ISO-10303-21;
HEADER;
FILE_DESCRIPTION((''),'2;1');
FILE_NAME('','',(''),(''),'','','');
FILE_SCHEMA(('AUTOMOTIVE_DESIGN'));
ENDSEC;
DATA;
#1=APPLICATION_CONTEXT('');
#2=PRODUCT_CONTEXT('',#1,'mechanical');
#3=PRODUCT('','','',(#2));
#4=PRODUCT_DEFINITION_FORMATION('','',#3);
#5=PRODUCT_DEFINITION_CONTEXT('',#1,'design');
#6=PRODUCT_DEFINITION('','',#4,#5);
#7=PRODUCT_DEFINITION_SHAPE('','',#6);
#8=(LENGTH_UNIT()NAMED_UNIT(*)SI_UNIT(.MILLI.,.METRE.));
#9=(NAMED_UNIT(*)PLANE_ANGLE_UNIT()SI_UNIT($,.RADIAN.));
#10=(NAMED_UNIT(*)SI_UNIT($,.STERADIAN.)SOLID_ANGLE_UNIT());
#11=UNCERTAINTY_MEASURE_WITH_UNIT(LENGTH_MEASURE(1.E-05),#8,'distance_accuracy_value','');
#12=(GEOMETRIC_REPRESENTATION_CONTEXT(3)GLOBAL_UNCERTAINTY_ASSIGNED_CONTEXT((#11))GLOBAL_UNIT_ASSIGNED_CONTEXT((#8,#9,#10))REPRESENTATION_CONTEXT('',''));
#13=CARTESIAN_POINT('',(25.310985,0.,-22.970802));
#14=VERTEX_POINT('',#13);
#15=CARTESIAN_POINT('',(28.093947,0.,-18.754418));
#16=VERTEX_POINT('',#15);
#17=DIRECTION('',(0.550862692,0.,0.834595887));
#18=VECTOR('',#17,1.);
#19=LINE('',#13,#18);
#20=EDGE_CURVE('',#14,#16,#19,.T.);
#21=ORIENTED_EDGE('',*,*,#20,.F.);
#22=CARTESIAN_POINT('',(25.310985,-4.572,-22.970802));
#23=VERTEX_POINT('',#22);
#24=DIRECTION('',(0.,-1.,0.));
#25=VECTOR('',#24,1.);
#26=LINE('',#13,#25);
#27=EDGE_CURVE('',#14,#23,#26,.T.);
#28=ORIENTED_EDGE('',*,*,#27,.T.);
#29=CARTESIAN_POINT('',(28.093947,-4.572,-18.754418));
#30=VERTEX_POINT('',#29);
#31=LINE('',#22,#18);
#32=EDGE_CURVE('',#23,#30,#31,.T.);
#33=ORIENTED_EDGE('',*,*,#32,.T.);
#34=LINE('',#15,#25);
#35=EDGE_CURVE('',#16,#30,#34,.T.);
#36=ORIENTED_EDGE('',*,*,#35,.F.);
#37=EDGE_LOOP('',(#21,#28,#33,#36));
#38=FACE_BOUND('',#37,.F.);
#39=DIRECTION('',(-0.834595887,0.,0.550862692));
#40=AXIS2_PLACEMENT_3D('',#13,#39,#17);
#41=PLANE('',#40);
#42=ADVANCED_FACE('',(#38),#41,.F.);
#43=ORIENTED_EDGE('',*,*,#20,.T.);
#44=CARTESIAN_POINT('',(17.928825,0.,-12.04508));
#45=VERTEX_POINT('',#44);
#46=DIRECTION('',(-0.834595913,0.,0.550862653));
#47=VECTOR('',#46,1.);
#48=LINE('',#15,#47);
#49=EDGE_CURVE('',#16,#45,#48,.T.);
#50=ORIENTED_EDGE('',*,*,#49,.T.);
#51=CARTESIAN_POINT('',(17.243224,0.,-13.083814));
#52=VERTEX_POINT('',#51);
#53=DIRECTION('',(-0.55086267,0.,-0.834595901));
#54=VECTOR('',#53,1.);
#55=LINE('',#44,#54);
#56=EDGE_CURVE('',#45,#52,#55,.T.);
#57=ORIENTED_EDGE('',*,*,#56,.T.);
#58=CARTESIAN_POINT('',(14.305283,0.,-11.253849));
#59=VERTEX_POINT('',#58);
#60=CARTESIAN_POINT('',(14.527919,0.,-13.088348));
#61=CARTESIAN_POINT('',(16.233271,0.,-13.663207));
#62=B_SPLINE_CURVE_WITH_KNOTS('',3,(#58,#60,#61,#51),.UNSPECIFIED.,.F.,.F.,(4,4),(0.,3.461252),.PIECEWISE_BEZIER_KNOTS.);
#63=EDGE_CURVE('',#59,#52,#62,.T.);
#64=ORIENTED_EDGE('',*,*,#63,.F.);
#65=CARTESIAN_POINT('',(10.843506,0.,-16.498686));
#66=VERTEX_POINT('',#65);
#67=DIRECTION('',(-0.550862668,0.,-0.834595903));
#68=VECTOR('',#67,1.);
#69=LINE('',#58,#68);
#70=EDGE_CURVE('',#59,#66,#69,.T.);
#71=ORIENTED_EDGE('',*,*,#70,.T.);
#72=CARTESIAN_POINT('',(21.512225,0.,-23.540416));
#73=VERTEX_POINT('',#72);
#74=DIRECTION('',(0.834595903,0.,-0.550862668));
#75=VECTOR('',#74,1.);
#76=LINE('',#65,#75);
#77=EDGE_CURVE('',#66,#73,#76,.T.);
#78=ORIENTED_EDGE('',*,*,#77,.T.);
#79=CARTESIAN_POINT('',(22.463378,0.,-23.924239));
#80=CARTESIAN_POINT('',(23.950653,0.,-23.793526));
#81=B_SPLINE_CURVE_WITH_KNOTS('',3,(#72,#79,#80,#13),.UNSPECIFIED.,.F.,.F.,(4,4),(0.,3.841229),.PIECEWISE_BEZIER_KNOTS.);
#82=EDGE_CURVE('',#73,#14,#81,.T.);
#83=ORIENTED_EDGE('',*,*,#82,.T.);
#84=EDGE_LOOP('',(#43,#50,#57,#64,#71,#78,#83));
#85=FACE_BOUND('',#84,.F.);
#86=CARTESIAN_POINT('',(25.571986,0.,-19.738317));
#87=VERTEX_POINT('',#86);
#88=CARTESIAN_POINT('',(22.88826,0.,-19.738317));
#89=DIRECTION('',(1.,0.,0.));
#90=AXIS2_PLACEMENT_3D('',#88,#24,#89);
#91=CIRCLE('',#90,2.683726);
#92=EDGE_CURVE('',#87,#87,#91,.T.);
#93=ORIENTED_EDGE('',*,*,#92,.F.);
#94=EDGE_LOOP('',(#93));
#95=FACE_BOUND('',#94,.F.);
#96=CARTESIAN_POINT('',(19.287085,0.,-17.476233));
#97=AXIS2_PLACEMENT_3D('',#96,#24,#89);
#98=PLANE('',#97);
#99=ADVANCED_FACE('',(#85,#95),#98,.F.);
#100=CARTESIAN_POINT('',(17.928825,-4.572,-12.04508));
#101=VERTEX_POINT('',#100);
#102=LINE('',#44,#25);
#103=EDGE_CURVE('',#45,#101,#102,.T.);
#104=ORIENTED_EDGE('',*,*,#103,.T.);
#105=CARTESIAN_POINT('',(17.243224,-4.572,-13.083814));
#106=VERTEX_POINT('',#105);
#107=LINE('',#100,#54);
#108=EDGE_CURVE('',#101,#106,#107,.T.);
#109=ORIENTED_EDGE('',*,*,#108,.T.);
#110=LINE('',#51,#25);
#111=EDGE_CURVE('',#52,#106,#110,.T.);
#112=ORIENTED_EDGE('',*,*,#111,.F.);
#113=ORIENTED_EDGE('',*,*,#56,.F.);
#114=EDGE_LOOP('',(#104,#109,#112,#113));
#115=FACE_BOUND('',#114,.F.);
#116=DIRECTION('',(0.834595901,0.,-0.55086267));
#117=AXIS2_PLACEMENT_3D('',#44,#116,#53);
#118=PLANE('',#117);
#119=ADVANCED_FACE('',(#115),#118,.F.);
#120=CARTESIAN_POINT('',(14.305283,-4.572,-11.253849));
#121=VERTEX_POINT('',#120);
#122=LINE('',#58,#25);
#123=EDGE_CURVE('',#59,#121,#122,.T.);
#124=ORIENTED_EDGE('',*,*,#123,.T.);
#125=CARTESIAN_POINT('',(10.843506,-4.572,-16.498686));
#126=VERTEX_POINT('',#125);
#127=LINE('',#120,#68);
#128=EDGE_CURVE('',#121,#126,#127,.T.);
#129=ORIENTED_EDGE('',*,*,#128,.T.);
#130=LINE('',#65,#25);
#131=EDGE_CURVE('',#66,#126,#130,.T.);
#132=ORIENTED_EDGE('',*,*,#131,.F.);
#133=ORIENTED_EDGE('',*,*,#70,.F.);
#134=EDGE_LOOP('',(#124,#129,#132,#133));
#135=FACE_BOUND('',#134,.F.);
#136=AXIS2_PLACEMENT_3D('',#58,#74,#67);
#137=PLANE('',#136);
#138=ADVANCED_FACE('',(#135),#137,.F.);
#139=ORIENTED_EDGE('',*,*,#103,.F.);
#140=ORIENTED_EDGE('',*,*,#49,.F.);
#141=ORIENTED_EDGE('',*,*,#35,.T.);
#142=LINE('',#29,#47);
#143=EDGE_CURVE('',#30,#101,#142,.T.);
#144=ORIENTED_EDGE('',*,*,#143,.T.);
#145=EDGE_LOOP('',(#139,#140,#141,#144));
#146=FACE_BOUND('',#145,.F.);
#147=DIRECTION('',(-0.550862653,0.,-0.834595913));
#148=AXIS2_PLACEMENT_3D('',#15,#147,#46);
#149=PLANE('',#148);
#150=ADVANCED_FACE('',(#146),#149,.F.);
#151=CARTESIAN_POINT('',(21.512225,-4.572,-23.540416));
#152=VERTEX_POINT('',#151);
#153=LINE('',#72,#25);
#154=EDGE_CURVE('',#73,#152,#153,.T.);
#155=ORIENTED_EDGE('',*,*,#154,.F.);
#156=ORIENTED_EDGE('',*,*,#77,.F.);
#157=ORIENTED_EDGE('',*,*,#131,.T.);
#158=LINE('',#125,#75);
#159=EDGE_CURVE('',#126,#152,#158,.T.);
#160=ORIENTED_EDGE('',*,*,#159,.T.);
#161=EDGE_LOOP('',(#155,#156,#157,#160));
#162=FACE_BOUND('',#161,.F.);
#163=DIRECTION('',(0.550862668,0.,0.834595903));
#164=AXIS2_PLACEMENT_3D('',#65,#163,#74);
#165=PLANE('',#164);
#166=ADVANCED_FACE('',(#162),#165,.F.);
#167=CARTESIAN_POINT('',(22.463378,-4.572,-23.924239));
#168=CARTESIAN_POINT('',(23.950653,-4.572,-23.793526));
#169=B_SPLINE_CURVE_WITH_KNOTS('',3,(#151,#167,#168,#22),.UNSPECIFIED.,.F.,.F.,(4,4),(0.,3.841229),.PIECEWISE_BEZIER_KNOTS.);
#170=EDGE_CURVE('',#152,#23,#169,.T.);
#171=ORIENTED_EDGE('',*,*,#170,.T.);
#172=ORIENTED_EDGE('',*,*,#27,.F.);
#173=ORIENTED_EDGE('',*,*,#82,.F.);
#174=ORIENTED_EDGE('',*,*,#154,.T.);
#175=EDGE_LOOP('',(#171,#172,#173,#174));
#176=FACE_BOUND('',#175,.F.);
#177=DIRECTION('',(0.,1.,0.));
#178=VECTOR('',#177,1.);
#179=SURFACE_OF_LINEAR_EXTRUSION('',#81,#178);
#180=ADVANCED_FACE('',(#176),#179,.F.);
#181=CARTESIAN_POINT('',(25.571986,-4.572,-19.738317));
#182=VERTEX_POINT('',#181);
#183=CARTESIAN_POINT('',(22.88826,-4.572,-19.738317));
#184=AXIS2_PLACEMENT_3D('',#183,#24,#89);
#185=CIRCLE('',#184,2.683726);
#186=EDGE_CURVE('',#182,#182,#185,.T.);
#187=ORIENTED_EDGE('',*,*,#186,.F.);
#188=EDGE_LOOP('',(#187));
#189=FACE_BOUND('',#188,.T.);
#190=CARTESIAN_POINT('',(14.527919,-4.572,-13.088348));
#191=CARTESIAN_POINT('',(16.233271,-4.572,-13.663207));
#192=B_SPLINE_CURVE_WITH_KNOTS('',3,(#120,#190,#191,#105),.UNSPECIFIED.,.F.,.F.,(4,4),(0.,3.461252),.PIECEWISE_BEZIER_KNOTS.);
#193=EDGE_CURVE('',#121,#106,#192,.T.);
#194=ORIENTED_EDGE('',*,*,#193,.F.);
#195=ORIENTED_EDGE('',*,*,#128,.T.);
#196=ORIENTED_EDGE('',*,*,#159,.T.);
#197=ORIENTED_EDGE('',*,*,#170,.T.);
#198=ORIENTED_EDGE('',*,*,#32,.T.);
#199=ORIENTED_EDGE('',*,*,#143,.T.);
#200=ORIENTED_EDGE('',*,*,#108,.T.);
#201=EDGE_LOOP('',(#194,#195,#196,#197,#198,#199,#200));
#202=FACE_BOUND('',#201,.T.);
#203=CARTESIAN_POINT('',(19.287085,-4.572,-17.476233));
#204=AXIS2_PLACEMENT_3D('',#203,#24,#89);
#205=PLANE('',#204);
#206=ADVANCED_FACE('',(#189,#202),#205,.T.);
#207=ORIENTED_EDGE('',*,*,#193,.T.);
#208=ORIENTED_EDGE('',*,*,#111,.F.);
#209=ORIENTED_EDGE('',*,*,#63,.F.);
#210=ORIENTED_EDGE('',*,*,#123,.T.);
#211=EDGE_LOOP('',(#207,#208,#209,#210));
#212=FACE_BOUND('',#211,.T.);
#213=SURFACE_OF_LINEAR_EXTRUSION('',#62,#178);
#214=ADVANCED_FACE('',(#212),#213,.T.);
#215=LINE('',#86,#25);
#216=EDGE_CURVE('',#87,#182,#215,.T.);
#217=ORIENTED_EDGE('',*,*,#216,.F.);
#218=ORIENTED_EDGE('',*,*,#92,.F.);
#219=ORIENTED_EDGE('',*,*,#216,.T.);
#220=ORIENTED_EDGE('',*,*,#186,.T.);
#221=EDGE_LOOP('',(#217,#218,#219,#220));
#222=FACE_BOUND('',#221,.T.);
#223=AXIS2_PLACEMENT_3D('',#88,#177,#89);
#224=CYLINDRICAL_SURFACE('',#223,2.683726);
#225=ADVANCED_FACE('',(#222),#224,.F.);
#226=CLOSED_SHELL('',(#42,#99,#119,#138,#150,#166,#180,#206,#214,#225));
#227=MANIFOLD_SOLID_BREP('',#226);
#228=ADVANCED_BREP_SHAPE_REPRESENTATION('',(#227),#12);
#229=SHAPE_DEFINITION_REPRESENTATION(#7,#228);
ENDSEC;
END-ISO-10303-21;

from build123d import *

# Parameters (mm, degrees)
F0_R     = 2.683726
F1_DEPTH = 4.572


with BuildPart() as f1:
    # F0 (on Front) → F1 (new body)
    with BuildSketch(Plane.XZ):
        with BuildLine():
            Line((25.310985, -22.970802), (28.093947, -18.754418))
            Line((28.093947, -18.754418), (17.928825, -12.04508))
            Line((17.928825, -12.04508), (17.243224, -13.083814))
            add(Edge.make_bspline(
                [(14.305283, -11.253849), (14.527919, -13.088348), (16.233271, -13.663207), (17.243224, -13.083814)],
                knots=[0, 0, 0, 0, 3.461252, 3.461252, 3.461252, 3.461252], degree=3))
            Line((14.305283, -11.253849), (10.843506, -16.498686))
            Line((10.843506, -16.498686), (21.512225, -23.540416))
            add(Edge.make_bspline(
                [(21.512225, -23.540416), (22.463378, -23.924239), (23.950653, -23.793526), (25.310985, -22.970802)],
                knots=[0, 0, 0, 0, 3.841229, 3.841229, 3.841229, 3.841229], degree=3))
        make_face()
        with Locations((22.88826, -19.738317)):
            Circle(F0_R, mode=Mode.SUBTRACT)
    extrude(amount=F1_DEPTH)


solid = f1.part
